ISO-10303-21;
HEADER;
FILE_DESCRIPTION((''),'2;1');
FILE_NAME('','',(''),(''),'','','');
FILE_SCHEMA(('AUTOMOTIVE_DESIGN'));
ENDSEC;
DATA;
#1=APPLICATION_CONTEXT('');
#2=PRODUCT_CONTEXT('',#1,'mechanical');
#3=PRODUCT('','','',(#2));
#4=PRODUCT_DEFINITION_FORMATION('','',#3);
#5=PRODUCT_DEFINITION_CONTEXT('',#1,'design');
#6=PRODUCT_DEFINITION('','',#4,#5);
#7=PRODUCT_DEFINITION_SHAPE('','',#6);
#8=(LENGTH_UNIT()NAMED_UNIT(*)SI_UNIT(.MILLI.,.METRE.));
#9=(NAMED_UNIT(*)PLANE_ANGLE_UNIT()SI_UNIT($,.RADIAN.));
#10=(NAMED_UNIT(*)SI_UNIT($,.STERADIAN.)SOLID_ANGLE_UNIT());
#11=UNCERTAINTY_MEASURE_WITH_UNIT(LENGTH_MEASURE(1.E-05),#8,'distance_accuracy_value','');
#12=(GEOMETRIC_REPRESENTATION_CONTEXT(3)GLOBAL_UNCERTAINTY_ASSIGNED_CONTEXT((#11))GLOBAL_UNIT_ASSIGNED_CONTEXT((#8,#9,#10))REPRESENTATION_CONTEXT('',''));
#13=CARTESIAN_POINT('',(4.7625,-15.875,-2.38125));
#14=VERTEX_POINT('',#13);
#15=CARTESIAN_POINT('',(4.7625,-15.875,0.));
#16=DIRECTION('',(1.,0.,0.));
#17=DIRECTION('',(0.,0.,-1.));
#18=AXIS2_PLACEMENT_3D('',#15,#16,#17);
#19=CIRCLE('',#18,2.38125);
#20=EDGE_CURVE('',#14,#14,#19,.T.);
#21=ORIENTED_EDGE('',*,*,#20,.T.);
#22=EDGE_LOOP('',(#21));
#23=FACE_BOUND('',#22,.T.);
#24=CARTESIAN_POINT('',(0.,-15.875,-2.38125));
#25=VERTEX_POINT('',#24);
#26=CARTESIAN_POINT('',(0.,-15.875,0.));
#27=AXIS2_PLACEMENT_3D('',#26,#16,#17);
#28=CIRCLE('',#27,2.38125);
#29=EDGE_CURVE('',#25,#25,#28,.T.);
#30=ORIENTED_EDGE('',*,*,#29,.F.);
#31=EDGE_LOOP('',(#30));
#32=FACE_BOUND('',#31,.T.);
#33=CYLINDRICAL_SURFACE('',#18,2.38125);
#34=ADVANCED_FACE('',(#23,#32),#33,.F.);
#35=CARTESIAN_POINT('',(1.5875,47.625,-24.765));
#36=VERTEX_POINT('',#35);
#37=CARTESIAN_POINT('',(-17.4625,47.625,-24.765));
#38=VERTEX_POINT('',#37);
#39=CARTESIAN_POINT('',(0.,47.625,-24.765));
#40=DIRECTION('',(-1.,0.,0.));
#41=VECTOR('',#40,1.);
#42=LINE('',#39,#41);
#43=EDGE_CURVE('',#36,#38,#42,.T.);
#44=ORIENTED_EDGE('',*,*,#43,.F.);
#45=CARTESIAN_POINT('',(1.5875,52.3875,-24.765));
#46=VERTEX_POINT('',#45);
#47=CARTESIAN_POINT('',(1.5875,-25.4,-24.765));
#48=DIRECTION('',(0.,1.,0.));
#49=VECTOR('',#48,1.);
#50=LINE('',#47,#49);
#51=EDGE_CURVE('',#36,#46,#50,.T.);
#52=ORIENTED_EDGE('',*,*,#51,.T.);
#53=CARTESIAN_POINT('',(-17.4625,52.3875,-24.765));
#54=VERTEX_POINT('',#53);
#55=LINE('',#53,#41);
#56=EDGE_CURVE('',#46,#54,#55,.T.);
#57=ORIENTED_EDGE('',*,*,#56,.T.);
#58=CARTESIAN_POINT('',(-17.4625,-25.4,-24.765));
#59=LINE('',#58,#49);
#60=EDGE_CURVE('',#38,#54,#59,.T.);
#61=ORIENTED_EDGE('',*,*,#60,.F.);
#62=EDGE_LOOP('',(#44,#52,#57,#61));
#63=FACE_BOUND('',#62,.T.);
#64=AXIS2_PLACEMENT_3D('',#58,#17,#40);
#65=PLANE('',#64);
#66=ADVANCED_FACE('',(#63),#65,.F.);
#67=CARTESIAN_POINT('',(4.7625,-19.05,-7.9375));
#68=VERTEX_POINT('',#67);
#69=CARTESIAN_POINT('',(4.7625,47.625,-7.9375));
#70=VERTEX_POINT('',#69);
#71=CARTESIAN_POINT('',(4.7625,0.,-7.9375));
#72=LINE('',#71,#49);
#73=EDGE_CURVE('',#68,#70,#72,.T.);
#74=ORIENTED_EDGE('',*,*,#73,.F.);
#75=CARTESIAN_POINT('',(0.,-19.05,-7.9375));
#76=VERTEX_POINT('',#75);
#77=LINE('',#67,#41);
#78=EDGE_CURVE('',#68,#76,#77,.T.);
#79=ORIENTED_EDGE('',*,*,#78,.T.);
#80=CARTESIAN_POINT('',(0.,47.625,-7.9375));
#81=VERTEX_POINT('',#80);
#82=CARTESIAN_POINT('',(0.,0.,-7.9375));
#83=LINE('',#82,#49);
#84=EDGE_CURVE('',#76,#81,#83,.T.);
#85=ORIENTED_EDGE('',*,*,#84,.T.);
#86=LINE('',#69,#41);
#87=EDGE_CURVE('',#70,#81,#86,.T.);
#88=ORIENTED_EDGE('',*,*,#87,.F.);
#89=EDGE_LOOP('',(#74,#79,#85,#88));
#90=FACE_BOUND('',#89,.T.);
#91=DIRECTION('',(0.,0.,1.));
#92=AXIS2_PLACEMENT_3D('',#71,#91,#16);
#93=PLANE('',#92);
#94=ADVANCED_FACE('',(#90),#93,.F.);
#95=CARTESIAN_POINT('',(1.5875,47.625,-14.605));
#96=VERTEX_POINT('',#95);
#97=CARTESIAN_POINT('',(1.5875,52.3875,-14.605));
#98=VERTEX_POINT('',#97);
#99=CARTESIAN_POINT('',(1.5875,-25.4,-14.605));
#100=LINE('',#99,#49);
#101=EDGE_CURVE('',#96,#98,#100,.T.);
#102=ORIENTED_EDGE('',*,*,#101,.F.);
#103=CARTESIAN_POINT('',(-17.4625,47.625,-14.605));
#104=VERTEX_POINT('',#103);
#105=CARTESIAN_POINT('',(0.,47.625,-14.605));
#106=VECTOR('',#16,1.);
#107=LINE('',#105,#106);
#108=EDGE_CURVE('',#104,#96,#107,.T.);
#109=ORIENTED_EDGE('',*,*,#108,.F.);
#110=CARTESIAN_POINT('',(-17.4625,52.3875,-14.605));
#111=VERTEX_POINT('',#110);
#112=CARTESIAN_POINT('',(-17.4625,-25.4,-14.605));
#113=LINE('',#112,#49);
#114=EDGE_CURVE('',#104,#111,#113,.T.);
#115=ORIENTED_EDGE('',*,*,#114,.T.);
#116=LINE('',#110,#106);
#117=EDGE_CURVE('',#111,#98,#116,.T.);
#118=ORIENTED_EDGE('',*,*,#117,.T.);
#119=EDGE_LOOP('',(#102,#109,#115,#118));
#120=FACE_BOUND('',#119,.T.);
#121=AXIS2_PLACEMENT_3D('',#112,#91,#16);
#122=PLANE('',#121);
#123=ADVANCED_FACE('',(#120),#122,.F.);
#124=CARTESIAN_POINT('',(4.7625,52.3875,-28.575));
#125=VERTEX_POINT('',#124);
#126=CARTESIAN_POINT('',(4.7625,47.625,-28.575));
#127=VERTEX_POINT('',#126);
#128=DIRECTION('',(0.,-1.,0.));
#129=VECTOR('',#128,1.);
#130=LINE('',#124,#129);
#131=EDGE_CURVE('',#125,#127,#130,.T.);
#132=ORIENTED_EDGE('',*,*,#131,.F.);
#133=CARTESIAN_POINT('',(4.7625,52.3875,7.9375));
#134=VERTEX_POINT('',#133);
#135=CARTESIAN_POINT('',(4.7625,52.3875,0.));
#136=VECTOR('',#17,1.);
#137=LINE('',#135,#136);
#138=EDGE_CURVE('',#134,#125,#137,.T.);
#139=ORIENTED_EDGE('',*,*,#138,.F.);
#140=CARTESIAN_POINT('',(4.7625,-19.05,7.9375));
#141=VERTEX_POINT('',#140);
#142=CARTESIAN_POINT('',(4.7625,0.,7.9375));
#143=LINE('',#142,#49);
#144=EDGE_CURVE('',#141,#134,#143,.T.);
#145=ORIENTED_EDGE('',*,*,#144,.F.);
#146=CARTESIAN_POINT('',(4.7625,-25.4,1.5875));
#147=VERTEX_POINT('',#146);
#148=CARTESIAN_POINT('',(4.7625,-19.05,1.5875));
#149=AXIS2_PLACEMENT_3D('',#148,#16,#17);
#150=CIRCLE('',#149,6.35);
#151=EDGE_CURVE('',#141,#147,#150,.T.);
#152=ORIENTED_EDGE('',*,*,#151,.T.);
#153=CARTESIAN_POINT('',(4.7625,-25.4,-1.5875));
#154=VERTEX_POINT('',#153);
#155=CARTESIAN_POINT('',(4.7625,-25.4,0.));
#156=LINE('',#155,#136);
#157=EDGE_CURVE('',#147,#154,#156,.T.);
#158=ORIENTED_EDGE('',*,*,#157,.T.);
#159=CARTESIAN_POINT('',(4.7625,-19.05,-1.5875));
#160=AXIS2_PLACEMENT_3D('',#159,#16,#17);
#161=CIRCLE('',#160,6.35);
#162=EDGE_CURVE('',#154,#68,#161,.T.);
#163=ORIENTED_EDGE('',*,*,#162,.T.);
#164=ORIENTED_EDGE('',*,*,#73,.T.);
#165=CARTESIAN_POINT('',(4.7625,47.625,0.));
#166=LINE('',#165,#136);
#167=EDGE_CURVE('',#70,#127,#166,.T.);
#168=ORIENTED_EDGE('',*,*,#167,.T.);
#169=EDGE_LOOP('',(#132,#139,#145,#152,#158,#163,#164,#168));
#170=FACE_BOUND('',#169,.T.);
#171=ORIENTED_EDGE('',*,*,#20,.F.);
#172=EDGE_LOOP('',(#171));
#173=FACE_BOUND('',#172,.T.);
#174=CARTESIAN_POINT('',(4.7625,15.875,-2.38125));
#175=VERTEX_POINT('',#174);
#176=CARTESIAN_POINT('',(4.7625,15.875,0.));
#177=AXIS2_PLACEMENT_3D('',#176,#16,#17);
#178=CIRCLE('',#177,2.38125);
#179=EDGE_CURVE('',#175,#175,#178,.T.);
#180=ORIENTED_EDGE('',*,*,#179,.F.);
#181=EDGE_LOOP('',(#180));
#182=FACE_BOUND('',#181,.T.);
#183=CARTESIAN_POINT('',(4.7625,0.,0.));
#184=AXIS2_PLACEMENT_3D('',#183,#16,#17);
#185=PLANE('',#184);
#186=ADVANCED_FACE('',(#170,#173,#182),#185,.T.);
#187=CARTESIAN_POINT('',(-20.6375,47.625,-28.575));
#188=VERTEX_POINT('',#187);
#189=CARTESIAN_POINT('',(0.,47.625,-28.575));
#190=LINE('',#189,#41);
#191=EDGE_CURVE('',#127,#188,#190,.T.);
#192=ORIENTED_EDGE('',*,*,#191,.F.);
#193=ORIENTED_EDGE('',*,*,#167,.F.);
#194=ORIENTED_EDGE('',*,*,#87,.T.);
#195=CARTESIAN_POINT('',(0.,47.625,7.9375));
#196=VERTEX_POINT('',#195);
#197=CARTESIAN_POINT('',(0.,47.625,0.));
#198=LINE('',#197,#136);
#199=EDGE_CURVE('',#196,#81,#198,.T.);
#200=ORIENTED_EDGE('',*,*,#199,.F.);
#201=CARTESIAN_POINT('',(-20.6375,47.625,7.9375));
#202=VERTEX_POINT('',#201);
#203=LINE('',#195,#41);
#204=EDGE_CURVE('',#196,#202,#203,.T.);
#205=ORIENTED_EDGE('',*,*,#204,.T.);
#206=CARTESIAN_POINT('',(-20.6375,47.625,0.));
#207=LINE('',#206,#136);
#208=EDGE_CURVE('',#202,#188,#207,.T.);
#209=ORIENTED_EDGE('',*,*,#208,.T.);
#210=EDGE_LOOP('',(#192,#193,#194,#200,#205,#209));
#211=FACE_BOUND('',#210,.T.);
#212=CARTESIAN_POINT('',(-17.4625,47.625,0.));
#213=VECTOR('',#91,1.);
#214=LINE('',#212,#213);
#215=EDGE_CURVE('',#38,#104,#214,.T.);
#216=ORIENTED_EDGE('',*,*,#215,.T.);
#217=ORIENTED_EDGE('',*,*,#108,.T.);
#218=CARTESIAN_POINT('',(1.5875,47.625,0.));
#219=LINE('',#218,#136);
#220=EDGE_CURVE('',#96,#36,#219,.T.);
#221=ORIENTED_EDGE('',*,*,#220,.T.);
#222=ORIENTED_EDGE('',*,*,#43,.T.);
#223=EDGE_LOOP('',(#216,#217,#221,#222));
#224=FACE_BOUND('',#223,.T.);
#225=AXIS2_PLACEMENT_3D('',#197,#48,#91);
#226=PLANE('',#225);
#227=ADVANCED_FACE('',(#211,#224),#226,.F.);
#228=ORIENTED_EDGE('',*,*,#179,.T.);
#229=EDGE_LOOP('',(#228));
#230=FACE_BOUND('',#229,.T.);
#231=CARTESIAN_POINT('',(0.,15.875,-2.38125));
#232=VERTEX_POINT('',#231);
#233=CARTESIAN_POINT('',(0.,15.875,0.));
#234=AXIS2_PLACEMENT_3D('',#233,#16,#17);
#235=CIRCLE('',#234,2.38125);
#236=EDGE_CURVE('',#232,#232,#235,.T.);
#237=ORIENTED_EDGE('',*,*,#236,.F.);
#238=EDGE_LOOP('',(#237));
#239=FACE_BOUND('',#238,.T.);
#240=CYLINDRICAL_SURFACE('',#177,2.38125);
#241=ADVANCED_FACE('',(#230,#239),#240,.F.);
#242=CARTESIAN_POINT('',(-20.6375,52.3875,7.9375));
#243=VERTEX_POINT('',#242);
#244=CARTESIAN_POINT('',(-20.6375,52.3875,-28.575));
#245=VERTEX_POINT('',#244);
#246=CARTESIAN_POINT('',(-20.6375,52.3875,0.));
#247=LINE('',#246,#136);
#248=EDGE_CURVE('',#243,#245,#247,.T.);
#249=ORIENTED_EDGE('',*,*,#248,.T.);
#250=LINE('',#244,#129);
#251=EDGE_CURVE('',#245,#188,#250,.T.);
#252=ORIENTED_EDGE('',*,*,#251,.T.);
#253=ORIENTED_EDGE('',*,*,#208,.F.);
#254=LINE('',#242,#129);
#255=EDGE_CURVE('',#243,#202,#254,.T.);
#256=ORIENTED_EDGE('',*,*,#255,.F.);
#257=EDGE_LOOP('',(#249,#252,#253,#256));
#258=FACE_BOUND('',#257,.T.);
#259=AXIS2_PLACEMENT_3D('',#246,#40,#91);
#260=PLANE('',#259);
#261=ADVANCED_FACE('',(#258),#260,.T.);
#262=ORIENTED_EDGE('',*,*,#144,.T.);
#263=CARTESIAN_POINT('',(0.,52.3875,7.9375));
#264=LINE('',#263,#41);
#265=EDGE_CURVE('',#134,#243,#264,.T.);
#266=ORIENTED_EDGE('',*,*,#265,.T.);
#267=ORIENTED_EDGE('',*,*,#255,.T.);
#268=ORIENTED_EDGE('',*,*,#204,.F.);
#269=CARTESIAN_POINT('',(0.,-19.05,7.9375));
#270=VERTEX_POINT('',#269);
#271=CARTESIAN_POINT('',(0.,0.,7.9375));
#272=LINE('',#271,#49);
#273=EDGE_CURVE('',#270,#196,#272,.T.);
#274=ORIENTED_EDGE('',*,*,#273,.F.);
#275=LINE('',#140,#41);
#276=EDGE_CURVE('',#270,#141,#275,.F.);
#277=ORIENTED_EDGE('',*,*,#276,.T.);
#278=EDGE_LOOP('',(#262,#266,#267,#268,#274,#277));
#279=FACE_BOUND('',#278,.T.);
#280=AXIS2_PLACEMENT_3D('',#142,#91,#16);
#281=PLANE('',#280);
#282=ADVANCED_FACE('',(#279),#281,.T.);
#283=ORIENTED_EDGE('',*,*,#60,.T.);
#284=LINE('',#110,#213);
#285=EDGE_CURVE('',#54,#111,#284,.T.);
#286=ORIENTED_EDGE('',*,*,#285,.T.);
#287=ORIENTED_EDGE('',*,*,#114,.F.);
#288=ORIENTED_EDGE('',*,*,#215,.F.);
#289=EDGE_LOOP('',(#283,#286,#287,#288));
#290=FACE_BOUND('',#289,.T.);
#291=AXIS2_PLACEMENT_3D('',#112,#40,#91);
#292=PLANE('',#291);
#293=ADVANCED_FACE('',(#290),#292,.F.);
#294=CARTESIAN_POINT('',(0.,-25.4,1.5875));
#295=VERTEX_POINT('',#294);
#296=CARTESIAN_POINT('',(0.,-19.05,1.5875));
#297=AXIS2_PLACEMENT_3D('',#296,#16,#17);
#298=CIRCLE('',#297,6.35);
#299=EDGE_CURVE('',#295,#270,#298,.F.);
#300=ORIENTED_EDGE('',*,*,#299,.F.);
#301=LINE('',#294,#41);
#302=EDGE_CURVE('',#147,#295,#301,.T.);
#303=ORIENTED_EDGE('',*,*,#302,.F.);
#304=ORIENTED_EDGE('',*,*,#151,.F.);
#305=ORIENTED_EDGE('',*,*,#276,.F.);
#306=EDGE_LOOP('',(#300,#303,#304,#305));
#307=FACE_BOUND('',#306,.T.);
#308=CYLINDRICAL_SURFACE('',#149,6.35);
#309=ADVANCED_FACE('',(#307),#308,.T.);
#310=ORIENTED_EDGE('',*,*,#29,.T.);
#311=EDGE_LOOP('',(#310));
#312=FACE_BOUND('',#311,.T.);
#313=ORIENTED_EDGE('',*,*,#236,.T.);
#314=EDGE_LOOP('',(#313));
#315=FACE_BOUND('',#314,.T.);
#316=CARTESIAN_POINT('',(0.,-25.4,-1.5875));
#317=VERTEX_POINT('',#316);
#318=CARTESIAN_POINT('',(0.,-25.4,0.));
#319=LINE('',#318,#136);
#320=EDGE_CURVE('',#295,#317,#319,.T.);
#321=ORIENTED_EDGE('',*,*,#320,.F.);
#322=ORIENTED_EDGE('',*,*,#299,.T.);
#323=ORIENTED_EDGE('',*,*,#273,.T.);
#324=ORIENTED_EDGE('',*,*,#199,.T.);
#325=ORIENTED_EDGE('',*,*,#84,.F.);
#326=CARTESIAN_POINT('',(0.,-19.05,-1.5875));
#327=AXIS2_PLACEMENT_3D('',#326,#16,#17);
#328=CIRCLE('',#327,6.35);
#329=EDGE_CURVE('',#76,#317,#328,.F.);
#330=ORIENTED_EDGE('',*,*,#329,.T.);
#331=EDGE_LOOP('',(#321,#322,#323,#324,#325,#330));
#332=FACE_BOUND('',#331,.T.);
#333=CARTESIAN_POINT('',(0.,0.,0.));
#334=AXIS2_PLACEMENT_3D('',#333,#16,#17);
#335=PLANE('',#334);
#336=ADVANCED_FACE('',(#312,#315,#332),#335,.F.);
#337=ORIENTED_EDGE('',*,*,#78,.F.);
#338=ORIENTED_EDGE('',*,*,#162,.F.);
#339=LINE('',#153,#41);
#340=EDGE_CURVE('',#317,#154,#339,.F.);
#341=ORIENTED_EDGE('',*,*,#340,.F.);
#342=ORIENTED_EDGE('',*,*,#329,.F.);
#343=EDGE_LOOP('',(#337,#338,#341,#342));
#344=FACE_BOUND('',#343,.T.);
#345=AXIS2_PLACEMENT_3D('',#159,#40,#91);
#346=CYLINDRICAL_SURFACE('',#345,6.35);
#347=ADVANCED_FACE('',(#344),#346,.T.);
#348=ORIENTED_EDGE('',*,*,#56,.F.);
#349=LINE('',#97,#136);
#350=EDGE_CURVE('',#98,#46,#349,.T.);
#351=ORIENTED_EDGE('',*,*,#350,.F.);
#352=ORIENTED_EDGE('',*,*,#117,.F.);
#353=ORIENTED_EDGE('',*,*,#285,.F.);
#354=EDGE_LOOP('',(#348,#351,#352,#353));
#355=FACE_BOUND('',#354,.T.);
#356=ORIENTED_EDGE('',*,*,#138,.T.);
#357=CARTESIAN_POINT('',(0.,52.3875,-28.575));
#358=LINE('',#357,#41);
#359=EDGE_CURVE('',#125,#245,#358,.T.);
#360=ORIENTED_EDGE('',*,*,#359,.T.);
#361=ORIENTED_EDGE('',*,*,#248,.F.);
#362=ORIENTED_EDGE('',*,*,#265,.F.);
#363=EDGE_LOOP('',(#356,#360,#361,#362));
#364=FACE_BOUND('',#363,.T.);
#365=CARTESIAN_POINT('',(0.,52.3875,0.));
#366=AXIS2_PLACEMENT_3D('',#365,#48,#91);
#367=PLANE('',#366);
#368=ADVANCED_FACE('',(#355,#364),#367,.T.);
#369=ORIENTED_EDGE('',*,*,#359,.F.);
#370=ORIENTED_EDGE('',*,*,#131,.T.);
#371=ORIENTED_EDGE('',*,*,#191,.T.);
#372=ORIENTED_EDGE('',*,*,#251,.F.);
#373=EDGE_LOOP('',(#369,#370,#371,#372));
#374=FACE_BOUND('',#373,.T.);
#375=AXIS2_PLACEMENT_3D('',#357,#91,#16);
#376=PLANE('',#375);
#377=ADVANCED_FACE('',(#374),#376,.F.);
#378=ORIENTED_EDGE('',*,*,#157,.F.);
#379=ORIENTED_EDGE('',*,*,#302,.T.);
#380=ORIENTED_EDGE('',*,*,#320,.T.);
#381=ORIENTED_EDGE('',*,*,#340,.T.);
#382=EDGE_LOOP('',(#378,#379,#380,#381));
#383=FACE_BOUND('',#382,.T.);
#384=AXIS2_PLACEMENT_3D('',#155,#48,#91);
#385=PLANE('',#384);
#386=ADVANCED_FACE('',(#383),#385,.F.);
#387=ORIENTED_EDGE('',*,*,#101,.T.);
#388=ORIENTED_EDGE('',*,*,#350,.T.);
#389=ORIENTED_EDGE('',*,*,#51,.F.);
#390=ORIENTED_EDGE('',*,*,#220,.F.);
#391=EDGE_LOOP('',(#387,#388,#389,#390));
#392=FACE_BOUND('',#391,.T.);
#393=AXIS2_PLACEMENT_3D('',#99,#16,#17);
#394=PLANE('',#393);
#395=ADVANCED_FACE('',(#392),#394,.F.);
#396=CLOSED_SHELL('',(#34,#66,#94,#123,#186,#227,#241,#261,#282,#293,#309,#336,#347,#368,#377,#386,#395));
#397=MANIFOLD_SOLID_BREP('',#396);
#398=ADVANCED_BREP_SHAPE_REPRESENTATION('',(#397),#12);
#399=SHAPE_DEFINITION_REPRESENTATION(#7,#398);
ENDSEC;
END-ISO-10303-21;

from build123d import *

# Parameters (mm, degrees)
SKETCH1_W                      = 15.875
SKETCH1_H                      = 22.225
SKETCH1_H_2                    = 50.8
BOSS_EXTRUDE1_DEPTH            = 4.7625
F_3_16_0_1875_DIAMETER_HOLE1_D = 4.7625
SKETCH5_W                      = 4.7625
SKETCH5_H                      = 15.875
BOSS_EXTRUDE2_DEPTH            = 4.7625
FILLET1_R                      = 6.35
SKETCH7_W                      = 19.05
SKETCH7_H                      = 10.16
CUT_EXTRUDE1_DEPTH             = 78.7875


with BuildPart() as part:
    # Sketch1 → Boss-Extrude1 (new body)
    with BuildSketch(Plane(origin=(0, 0, 0), x_dir=(0, 0, -1), z_dir=(1, 0, 0))):
        with Locations((0, 36.5125)):
            Rectangle(SKETCH1_W, SKETCH1_H)
        Rectangle(SKETCH1_W, SKETCH1_H_2)
    extrude(amount=BOSS_EXTRUDE1_DEPTH)

    # 3/16 (0.1875) Diameter Hole1 (through all)
    with Locations(Plane(origin=(4.7625, 0, 0), x_dir=(0, 0, -1), z_dir=(1, 0, 0))):
        with Locations((0, -15.875), (0, 15.875)):
            Hole(F_3_16_0_1875_DIAMETER_HOLE1_D / 2)

    # Sketch5 → Boss-Extrude2 (add)
    with BuildSketch(Plane(origin=(0, 47.625, 0), x_dir=(1, 0, 0), z_dir=(0, 1, 0))):
        Polygon((-20.6375, -7.9375), (0, -7.9375), (0, 7.9375), (4.7625, 7.9375), (4.7625, 28.575), (-20.6375, 28.575), align=None)
        with Locations((2.38125, 0)):
            Rectangle(SKETCH5_W, SKETCH5_H)
    extrude(amount=BOSS_EXTRUDE2_DEPTH)

    # Fillet1
    fillet1_edges = [part.edges().sort_by_distance(p)[0] for p in [
        (2.38125, -25.4, 7.9375),
        (2.38125, -25.4, -7.9375),
    ]]
    fillet(fillet1_edges, radius=FILLET1_R)

    # Sketch7 → Cut-Extrude1 (cut, through all)
    with BuildSketch(Plane(origin=(0, 52.3875, 0), x_dir=(1, 0, 0), z_dir=(0, 1, 0))):
        with Locations((-7.9375, 19.685)):
            Rectangle(SKETCH7_W, SKETCH7_H)
    extrude(amount=-CUT_EXTRUDE1_DEPTH, mode=Mode.SUBTRACT)


solid = part.part
